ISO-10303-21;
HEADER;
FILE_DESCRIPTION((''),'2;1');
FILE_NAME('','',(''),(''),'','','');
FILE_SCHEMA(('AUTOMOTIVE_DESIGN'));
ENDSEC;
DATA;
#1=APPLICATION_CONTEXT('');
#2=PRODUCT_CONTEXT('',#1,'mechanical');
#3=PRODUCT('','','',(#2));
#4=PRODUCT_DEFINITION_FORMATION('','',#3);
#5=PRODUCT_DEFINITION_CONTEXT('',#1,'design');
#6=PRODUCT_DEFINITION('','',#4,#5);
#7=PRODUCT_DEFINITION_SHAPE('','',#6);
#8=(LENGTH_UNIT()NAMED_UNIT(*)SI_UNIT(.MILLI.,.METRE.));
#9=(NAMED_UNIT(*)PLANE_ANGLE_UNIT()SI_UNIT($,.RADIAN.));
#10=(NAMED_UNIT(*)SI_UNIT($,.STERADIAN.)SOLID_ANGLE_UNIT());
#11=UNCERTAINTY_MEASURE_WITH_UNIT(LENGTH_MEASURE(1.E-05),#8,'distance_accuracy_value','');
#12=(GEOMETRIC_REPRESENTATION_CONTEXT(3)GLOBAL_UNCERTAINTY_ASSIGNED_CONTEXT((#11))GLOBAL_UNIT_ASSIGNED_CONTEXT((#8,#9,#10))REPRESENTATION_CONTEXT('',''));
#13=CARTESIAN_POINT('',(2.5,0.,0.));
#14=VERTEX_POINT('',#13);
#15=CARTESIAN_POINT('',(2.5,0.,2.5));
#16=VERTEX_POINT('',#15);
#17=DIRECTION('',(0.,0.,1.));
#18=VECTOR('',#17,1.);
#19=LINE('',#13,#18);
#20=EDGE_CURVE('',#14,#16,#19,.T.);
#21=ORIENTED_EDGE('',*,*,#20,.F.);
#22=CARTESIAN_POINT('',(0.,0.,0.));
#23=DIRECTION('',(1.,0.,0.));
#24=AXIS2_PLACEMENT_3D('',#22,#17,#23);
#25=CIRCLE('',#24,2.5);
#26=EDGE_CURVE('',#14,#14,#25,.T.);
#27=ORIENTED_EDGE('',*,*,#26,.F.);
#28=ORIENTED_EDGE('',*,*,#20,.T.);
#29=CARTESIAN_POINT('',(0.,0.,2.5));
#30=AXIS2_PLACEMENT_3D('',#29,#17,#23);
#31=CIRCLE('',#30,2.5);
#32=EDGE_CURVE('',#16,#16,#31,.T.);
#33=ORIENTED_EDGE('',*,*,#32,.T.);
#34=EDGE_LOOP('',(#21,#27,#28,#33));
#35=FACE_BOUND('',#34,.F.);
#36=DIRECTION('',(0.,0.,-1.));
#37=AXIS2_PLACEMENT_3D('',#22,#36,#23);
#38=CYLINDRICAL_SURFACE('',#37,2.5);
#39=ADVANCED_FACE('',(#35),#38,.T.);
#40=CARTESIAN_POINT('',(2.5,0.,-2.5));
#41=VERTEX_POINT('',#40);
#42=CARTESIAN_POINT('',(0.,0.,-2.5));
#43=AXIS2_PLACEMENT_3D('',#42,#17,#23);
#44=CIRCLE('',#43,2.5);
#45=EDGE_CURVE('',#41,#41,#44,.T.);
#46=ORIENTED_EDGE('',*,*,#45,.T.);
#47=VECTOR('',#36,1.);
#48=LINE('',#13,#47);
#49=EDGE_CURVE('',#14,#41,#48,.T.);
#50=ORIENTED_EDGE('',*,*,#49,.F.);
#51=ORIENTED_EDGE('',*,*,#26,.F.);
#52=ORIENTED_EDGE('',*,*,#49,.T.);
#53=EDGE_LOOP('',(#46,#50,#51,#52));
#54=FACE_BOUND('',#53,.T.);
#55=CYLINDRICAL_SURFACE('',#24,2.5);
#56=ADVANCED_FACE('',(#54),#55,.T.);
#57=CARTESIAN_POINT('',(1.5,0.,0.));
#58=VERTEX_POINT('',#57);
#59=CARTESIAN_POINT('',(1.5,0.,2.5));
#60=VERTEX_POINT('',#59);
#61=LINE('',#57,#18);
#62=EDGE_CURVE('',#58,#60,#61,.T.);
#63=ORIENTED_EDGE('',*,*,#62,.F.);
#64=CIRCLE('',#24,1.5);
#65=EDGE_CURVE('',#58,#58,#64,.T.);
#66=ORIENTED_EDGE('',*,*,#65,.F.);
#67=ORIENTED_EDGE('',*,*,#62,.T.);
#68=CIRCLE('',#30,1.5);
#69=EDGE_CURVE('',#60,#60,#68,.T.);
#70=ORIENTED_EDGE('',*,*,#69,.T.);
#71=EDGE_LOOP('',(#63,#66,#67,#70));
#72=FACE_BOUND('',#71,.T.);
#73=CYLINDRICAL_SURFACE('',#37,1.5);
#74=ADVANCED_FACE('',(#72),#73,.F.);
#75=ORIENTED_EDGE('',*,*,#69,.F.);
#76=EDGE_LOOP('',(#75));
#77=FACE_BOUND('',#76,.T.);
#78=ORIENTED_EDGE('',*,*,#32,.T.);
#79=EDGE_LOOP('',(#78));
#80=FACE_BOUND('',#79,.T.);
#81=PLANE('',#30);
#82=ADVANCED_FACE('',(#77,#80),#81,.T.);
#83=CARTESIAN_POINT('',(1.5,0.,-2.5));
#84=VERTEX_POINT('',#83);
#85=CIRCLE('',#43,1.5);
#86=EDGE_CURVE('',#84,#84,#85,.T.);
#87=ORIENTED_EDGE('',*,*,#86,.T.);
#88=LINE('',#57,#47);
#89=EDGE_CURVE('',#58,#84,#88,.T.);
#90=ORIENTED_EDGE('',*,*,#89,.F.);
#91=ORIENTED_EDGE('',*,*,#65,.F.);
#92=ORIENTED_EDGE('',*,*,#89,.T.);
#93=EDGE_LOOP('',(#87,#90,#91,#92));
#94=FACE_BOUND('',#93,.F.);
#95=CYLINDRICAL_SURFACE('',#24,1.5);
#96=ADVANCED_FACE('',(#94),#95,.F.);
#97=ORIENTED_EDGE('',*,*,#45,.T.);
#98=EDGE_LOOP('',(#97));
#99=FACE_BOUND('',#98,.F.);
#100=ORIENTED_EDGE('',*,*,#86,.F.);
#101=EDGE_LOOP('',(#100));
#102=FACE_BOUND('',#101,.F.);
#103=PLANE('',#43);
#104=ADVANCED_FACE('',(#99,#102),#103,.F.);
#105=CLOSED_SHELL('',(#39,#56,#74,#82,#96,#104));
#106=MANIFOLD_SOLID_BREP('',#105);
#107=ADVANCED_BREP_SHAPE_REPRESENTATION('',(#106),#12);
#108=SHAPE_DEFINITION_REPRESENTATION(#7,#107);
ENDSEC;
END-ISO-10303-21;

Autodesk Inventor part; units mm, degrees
ref_plane "YZ Plane" through (0, 0, 0) normal (1, 0, 0) x (0, 1, 0)
ref_plane "XZ Plane" through (0, 0, 0) normal (0, 1, 0) x (-1, 0, 0)
ref_plane "XY Plane" through (0, 0, 0) normal (0, 0, 1) x (1, 0, 0)
sketch "Náčrt1" plane through (0, 0, 0) normal (0, 0, 1) x (1, 0, 0)
  circle A0 centre (0, 0) radius 1.5
  circle A1 centre (0, 0) radius 2.5
  dimension "d0" = 3
  dimension "d1" = 5
extrude "Vysunutí1" add sketch "Náčrt1" along normal mid plane 5
properties part number "standoff" material "Hliník 6061"
